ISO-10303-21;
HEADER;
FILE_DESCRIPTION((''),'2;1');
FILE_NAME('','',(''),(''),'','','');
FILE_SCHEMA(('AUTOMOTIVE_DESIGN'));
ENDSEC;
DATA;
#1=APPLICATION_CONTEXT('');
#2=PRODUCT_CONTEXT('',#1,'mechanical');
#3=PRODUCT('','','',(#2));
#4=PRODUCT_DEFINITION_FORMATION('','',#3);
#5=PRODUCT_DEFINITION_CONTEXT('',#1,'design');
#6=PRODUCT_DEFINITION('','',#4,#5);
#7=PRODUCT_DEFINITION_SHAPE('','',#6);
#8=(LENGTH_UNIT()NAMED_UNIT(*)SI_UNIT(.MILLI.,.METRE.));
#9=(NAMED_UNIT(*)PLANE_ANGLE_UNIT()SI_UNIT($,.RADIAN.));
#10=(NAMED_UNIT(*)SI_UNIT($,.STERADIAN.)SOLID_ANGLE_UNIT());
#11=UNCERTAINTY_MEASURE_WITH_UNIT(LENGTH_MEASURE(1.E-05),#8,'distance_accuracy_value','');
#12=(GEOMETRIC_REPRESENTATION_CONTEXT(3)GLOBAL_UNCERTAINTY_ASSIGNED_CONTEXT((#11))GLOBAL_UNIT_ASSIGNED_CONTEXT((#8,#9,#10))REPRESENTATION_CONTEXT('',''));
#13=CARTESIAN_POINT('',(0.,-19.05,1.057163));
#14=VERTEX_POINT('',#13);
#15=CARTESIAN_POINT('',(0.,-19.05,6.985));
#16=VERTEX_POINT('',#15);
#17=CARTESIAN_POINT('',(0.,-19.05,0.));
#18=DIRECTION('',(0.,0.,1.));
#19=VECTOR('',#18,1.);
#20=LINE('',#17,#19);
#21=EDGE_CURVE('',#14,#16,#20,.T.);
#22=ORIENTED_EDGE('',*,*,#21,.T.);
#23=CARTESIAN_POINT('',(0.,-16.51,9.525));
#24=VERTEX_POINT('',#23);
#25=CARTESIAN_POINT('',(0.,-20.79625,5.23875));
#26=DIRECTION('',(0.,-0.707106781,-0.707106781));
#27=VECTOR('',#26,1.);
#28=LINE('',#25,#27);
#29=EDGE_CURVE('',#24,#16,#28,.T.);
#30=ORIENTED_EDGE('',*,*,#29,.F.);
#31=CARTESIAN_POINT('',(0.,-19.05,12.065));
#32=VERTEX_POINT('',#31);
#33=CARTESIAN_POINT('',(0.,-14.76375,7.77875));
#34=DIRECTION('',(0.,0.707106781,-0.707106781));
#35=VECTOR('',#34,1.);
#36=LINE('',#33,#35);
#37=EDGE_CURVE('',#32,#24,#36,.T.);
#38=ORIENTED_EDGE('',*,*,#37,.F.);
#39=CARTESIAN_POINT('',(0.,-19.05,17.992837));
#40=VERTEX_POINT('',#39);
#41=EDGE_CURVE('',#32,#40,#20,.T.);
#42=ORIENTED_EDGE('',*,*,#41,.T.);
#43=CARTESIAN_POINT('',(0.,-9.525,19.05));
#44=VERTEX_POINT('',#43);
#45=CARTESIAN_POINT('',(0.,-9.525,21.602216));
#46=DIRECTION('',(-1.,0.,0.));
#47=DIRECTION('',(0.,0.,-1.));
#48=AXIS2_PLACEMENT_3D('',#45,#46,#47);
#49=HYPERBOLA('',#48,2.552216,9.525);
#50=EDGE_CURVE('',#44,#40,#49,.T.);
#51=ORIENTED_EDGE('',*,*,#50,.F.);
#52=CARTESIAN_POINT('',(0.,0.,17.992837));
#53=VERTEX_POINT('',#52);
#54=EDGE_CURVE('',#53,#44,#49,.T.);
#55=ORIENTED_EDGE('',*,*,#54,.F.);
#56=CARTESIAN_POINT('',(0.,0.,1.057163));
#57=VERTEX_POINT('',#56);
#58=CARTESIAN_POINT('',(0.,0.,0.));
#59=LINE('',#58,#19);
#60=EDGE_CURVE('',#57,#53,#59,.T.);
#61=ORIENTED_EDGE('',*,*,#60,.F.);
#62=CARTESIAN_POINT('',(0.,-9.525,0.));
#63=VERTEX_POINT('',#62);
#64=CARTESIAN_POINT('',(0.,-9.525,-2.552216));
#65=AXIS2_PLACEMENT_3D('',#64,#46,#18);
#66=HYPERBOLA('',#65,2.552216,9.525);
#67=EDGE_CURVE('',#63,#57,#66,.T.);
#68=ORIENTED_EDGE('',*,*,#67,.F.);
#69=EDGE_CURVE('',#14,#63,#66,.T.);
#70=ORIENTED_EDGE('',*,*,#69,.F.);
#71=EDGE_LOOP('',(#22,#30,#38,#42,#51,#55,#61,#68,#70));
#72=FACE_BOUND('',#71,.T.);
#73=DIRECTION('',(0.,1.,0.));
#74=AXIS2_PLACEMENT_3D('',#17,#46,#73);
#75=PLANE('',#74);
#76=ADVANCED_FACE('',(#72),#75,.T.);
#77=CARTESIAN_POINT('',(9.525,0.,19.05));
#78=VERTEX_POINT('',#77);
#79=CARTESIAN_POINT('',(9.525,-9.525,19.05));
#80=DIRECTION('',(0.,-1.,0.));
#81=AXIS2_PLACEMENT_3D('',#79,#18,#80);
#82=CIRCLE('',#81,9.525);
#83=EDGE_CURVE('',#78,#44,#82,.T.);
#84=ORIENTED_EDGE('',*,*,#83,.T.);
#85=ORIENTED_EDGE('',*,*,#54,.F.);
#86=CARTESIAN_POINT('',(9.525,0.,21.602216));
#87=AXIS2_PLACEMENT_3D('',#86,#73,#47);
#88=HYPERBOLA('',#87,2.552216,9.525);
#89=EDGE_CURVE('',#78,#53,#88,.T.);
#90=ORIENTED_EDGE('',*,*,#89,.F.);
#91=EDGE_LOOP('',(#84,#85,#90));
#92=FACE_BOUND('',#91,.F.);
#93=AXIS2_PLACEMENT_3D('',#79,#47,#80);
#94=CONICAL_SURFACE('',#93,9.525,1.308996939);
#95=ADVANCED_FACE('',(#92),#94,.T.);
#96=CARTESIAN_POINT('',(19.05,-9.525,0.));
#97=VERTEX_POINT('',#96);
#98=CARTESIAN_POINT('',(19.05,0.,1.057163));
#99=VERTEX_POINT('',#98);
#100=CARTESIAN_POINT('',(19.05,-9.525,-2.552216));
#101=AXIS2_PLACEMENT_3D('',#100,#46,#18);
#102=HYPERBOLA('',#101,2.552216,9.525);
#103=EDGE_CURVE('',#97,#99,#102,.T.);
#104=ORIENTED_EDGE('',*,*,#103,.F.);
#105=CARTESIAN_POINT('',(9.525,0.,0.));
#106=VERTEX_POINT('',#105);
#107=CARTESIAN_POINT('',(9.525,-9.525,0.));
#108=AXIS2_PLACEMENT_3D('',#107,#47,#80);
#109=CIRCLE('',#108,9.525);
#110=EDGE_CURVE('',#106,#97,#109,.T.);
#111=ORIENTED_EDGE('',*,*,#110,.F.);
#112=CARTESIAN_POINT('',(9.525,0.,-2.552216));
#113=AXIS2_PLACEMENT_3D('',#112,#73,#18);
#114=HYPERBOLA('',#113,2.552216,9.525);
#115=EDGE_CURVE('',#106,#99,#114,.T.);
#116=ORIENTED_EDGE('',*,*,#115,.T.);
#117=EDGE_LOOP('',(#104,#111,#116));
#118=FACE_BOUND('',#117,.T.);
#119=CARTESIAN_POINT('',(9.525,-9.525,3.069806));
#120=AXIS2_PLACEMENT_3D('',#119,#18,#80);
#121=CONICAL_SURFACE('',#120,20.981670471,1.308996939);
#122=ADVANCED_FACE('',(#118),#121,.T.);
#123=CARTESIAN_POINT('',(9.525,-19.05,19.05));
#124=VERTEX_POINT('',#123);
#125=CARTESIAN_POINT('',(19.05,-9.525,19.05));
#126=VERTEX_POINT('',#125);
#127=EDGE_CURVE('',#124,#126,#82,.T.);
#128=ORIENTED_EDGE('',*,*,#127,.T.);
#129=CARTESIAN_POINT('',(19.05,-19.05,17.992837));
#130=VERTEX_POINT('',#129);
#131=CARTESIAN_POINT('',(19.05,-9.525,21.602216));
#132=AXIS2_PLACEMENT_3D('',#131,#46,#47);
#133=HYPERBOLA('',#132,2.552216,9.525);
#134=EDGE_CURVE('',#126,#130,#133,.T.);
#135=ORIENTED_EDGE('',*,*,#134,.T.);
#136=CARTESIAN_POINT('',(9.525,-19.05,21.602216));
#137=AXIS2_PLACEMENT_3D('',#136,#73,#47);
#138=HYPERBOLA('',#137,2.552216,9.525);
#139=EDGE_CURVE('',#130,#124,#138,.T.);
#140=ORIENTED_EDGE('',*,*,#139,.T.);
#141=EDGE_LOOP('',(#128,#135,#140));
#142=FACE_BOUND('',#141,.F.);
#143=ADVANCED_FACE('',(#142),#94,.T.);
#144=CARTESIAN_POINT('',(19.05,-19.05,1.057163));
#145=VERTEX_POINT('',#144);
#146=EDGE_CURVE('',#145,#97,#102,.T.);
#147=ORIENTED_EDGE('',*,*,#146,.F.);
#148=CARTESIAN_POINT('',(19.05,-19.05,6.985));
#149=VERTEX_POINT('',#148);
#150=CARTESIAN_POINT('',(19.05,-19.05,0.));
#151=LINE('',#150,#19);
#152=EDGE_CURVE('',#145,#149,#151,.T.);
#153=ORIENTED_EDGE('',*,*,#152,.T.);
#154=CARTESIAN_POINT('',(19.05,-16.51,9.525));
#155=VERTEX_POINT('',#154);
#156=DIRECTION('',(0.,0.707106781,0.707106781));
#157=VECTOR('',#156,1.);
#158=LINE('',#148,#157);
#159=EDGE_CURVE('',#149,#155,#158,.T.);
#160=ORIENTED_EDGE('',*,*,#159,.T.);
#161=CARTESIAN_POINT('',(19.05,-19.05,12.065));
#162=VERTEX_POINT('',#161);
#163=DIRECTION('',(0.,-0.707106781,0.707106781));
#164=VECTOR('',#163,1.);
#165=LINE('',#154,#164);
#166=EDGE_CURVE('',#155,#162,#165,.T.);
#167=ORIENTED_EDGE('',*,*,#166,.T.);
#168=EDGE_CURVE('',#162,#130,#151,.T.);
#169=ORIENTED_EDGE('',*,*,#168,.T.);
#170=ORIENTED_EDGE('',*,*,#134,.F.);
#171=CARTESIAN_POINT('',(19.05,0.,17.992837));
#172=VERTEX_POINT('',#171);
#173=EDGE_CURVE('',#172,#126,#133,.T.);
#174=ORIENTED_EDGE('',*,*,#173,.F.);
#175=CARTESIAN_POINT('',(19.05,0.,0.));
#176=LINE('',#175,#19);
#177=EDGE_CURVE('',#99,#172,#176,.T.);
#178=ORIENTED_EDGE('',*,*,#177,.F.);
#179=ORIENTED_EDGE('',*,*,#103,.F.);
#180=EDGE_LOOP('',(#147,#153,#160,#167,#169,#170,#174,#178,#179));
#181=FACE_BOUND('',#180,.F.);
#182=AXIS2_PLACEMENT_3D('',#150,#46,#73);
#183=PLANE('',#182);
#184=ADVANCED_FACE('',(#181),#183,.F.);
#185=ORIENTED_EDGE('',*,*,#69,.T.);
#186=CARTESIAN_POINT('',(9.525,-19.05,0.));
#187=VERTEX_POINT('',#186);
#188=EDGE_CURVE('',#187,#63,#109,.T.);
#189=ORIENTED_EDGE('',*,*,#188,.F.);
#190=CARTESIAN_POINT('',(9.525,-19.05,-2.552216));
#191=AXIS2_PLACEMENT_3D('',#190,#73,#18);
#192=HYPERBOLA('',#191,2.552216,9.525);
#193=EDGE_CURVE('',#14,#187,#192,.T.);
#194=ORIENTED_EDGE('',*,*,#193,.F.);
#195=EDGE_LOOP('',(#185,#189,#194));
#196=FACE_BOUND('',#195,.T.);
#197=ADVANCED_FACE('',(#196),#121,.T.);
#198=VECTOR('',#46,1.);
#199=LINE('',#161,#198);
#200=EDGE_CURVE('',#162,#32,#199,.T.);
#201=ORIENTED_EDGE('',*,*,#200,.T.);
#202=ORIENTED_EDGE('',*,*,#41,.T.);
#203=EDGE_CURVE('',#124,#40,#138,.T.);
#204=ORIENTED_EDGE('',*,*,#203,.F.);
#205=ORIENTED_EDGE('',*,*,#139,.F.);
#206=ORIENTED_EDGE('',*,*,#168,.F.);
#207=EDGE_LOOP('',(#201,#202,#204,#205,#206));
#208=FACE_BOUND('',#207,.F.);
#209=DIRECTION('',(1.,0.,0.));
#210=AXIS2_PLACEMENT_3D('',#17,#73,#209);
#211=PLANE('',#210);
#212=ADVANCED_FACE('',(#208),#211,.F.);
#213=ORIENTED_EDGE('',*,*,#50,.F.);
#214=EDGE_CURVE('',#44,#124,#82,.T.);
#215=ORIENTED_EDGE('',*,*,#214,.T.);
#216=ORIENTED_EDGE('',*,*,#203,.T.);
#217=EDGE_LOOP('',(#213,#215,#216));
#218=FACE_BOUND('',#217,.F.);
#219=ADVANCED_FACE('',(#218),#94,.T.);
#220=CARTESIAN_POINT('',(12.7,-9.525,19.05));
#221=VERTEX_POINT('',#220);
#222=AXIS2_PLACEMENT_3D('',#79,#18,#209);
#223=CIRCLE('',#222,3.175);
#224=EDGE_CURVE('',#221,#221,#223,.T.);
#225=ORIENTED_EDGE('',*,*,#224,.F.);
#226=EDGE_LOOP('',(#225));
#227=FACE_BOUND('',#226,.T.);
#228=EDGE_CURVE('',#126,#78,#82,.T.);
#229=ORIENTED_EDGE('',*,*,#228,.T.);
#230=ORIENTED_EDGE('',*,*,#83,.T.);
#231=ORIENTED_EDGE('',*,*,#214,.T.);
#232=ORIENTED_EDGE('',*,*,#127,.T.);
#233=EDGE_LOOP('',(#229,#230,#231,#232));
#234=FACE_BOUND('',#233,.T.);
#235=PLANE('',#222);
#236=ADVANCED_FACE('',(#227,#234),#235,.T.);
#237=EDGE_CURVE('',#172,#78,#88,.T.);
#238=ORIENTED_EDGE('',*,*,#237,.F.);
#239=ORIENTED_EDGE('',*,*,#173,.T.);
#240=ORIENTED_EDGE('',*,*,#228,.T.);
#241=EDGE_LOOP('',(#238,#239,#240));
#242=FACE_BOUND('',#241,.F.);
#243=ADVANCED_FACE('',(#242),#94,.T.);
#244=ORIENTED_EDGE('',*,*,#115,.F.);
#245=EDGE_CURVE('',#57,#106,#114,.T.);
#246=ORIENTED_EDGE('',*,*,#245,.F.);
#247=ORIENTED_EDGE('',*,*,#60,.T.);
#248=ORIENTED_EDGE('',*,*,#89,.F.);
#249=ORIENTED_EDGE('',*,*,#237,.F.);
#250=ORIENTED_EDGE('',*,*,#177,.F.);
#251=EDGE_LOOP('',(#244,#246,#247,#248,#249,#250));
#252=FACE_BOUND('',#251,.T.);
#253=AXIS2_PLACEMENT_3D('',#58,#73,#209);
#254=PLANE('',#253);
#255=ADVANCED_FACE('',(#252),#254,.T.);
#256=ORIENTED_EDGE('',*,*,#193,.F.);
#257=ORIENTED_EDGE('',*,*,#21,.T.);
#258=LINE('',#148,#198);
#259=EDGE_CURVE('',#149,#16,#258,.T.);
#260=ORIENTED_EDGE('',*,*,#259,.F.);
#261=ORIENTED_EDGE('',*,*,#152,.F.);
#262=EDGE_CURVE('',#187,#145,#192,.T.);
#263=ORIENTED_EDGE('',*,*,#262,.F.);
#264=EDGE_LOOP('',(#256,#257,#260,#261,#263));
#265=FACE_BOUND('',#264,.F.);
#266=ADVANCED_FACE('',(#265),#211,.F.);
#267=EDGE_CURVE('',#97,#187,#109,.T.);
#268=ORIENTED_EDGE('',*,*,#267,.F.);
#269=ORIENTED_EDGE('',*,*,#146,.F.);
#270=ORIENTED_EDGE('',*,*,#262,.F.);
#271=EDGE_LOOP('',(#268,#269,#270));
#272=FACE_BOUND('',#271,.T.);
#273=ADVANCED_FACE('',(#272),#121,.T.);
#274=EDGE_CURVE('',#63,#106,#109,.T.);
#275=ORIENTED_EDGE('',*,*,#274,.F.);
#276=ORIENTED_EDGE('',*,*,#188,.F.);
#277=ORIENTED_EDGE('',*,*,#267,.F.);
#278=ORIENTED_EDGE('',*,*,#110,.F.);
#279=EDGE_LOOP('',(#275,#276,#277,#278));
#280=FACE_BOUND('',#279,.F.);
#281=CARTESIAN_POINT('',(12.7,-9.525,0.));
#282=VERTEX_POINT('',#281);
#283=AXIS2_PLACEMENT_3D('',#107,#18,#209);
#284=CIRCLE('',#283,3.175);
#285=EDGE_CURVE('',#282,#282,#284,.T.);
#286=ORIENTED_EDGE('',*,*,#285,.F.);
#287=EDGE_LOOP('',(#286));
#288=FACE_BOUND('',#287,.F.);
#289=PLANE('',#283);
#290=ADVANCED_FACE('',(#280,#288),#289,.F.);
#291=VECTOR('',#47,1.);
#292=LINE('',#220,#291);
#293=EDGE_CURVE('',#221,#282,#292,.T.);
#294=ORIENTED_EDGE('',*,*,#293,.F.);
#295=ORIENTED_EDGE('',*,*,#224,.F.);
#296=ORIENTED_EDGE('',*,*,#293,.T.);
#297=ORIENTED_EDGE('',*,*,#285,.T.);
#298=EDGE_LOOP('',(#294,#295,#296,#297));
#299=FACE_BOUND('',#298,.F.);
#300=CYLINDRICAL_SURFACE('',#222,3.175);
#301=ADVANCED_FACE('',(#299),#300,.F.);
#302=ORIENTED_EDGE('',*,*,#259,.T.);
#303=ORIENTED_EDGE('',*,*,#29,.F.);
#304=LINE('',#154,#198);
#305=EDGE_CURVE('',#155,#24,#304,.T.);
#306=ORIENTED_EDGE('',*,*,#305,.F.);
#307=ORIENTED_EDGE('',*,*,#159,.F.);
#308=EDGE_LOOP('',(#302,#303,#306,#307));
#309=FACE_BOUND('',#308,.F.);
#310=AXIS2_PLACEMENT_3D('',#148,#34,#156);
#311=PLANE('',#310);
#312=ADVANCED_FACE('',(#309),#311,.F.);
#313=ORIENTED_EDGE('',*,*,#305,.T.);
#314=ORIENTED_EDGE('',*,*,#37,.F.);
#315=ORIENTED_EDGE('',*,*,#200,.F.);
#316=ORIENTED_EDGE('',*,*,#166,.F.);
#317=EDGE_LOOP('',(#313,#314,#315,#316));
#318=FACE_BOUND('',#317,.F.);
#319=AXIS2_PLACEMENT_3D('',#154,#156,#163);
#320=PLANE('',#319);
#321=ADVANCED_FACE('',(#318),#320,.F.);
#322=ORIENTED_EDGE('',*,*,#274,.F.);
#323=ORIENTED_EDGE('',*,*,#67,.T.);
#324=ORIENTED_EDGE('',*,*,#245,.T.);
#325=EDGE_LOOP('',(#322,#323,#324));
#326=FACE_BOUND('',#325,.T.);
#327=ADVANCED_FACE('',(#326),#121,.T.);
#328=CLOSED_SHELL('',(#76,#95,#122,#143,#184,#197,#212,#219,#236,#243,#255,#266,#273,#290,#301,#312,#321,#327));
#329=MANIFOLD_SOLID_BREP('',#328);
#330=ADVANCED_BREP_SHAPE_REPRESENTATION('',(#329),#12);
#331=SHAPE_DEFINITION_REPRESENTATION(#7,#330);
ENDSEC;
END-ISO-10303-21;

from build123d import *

# Parameters (mm, degrees)
F0_W      = 19.05
F0_H      = 19.05
F1_DEPTH  = 19.05
F2_R      = 3.175
F3_DEPTH  = 19.051
F11_DEPTH = 19.051


with BuildPart() as f1:
    # F0 (on Top) → F1 (new body)
    with BuildSketch(Plane.XY):
        with Locations((9.525, -9.525)):
            Rectangle(F0_W, F0_H)
    extrude(amount=F1_DEPTH)

    # F2 (on face) → F3 (cut, through all)
    with BuildSketch(Plane.XY.offset(19.05)):
        with Locations((9.525, -9.525)):
            Circle(F2_R)
    extrude(amount=-F3_DEPTH, mode=Mode.SUBTRACT)

    # F6 (on offset) → F7 (revolve, cut)
    with BuildSketch(Plane(origin=(9.525, 0, 0), x_dir=(0, -1, 0), z_dir=(-1, 0, 0))):
        Polygon((34.29, 19.05), (19.05, 19.05), (34.29, 14.9664543073), align=None)
    revolve(axis=Axis((9.525, -9.525, 19.05), (0, 0, 1)), mode=Mode.SUBTRACT)

    # F8 (on offset) → F9 (revolve, cut)
    with BuildSketch(Plane(origin=(9.525, 0, 0), x_dir=(0, -1, 0), z_dir=(-1, 0, 0))):
        Polygon((30.5066704714, 3.0698056008), (19.05, 0), (30.5066704714, 0), align=None)
    revolve(axis=Axis((9.525, -9.525, 0), (0, 0, -1)), mode=Mode.SUBTRACT)

    # F10 (on face) → F11 (cut, through all)
    with BuildSketch(Plane.YZ.offset(19.05)):
        Polygon((-19.05, 12.065), (-19.05, 9.525), (-16.51, 9.525), align=None)
        Polygon((-16.51, 9.525), (-19.05, 9.525), (-19.05, 6.985), align=None)
    extrude(amount=-F11_DEPTH, mode=Mode.SUBTRACT)


solid = f1.part
